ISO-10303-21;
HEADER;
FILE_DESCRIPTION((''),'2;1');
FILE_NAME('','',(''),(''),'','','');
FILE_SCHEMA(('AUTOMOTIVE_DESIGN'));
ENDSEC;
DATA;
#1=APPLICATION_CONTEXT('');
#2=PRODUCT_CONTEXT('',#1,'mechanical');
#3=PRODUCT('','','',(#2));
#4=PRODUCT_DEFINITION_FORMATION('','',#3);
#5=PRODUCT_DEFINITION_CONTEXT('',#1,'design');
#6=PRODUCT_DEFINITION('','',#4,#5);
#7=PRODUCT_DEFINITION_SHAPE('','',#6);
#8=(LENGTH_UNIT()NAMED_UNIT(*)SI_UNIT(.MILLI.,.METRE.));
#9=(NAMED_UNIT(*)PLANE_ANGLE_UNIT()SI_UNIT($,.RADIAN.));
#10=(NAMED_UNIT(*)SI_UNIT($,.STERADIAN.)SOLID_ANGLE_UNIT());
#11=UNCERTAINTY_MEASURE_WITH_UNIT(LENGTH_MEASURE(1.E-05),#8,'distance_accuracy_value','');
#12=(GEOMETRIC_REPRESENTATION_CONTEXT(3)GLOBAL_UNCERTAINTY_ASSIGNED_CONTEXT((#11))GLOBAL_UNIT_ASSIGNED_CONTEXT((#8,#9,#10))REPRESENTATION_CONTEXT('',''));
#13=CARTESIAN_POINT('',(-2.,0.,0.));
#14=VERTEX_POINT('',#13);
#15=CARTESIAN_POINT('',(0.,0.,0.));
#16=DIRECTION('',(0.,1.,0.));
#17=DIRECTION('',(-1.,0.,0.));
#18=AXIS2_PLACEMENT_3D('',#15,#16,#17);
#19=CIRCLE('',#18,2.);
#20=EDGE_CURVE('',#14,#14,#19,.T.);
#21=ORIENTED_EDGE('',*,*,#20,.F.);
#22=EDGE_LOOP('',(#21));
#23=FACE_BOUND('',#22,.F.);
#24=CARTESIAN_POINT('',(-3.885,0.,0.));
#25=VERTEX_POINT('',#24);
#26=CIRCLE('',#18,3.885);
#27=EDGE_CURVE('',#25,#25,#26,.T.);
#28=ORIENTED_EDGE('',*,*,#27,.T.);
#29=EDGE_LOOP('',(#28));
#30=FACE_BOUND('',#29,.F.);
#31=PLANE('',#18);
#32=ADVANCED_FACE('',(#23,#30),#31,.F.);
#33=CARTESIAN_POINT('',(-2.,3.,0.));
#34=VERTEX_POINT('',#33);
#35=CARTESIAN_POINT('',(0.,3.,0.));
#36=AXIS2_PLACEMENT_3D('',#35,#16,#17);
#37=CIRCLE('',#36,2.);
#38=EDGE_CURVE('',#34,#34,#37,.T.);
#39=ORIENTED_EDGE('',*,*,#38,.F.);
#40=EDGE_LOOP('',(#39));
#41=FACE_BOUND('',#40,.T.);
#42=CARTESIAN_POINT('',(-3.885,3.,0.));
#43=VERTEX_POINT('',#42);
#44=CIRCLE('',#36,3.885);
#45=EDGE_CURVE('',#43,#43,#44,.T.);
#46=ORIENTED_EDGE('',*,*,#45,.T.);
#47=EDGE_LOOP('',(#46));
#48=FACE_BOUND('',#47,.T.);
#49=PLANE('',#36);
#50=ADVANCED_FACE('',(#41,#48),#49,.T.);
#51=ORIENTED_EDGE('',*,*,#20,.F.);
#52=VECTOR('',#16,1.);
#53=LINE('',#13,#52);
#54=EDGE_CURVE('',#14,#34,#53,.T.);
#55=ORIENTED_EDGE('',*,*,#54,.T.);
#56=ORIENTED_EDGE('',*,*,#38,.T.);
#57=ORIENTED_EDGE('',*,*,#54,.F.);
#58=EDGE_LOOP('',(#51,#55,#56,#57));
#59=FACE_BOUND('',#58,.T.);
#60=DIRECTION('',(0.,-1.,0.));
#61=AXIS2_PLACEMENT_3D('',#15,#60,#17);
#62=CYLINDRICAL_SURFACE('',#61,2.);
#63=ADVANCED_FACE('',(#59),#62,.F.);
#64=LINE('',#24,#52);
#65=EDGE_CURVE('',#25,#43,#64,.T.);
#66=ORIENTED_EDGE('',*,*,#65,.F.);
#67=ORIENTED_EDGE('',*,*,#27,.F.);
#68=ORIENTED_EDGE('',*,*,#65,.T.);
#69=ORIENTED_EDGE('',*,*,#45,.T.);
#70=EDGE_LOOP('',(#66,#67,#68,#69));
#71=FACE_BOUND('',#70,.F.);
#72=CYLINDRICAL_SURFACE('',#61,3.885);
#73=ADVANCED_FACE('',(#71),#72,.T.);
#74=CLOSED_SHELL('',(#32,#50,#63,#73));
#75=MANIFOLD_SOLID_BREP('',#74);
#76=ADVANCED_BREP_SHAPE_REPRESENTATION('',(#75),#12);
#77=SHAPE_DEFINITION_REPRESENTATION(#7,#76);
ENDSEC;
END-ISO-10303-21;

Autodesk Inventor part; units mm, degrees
ref_plane "YZ Plane" through (0, 0, 0) normal (1, 0, 0) x (0, 1, 0)
ref_plane "XZ Plane" through (0, 0, 0) normal (0, 1, 0) x (-1, 0, 0)
ref_plane "XY Plane" through (0, 0, 0) normal (0, 0, 1) x (1, 0, 0)
sketch "Sketch1" plane through (0, 0, 0) normal (0, 1, 0) x (-1, 0, 0)
  circle A0 centre (0, 0) radius 2
  circle A1 centre (0, 0) radius 3.885
  dimension "d0" = 4
  dimension "d1" = 7.77
extrude "Extrusion1" add sketch "Sketch1" along normal blind 3
properties part number "M4_NUT"
